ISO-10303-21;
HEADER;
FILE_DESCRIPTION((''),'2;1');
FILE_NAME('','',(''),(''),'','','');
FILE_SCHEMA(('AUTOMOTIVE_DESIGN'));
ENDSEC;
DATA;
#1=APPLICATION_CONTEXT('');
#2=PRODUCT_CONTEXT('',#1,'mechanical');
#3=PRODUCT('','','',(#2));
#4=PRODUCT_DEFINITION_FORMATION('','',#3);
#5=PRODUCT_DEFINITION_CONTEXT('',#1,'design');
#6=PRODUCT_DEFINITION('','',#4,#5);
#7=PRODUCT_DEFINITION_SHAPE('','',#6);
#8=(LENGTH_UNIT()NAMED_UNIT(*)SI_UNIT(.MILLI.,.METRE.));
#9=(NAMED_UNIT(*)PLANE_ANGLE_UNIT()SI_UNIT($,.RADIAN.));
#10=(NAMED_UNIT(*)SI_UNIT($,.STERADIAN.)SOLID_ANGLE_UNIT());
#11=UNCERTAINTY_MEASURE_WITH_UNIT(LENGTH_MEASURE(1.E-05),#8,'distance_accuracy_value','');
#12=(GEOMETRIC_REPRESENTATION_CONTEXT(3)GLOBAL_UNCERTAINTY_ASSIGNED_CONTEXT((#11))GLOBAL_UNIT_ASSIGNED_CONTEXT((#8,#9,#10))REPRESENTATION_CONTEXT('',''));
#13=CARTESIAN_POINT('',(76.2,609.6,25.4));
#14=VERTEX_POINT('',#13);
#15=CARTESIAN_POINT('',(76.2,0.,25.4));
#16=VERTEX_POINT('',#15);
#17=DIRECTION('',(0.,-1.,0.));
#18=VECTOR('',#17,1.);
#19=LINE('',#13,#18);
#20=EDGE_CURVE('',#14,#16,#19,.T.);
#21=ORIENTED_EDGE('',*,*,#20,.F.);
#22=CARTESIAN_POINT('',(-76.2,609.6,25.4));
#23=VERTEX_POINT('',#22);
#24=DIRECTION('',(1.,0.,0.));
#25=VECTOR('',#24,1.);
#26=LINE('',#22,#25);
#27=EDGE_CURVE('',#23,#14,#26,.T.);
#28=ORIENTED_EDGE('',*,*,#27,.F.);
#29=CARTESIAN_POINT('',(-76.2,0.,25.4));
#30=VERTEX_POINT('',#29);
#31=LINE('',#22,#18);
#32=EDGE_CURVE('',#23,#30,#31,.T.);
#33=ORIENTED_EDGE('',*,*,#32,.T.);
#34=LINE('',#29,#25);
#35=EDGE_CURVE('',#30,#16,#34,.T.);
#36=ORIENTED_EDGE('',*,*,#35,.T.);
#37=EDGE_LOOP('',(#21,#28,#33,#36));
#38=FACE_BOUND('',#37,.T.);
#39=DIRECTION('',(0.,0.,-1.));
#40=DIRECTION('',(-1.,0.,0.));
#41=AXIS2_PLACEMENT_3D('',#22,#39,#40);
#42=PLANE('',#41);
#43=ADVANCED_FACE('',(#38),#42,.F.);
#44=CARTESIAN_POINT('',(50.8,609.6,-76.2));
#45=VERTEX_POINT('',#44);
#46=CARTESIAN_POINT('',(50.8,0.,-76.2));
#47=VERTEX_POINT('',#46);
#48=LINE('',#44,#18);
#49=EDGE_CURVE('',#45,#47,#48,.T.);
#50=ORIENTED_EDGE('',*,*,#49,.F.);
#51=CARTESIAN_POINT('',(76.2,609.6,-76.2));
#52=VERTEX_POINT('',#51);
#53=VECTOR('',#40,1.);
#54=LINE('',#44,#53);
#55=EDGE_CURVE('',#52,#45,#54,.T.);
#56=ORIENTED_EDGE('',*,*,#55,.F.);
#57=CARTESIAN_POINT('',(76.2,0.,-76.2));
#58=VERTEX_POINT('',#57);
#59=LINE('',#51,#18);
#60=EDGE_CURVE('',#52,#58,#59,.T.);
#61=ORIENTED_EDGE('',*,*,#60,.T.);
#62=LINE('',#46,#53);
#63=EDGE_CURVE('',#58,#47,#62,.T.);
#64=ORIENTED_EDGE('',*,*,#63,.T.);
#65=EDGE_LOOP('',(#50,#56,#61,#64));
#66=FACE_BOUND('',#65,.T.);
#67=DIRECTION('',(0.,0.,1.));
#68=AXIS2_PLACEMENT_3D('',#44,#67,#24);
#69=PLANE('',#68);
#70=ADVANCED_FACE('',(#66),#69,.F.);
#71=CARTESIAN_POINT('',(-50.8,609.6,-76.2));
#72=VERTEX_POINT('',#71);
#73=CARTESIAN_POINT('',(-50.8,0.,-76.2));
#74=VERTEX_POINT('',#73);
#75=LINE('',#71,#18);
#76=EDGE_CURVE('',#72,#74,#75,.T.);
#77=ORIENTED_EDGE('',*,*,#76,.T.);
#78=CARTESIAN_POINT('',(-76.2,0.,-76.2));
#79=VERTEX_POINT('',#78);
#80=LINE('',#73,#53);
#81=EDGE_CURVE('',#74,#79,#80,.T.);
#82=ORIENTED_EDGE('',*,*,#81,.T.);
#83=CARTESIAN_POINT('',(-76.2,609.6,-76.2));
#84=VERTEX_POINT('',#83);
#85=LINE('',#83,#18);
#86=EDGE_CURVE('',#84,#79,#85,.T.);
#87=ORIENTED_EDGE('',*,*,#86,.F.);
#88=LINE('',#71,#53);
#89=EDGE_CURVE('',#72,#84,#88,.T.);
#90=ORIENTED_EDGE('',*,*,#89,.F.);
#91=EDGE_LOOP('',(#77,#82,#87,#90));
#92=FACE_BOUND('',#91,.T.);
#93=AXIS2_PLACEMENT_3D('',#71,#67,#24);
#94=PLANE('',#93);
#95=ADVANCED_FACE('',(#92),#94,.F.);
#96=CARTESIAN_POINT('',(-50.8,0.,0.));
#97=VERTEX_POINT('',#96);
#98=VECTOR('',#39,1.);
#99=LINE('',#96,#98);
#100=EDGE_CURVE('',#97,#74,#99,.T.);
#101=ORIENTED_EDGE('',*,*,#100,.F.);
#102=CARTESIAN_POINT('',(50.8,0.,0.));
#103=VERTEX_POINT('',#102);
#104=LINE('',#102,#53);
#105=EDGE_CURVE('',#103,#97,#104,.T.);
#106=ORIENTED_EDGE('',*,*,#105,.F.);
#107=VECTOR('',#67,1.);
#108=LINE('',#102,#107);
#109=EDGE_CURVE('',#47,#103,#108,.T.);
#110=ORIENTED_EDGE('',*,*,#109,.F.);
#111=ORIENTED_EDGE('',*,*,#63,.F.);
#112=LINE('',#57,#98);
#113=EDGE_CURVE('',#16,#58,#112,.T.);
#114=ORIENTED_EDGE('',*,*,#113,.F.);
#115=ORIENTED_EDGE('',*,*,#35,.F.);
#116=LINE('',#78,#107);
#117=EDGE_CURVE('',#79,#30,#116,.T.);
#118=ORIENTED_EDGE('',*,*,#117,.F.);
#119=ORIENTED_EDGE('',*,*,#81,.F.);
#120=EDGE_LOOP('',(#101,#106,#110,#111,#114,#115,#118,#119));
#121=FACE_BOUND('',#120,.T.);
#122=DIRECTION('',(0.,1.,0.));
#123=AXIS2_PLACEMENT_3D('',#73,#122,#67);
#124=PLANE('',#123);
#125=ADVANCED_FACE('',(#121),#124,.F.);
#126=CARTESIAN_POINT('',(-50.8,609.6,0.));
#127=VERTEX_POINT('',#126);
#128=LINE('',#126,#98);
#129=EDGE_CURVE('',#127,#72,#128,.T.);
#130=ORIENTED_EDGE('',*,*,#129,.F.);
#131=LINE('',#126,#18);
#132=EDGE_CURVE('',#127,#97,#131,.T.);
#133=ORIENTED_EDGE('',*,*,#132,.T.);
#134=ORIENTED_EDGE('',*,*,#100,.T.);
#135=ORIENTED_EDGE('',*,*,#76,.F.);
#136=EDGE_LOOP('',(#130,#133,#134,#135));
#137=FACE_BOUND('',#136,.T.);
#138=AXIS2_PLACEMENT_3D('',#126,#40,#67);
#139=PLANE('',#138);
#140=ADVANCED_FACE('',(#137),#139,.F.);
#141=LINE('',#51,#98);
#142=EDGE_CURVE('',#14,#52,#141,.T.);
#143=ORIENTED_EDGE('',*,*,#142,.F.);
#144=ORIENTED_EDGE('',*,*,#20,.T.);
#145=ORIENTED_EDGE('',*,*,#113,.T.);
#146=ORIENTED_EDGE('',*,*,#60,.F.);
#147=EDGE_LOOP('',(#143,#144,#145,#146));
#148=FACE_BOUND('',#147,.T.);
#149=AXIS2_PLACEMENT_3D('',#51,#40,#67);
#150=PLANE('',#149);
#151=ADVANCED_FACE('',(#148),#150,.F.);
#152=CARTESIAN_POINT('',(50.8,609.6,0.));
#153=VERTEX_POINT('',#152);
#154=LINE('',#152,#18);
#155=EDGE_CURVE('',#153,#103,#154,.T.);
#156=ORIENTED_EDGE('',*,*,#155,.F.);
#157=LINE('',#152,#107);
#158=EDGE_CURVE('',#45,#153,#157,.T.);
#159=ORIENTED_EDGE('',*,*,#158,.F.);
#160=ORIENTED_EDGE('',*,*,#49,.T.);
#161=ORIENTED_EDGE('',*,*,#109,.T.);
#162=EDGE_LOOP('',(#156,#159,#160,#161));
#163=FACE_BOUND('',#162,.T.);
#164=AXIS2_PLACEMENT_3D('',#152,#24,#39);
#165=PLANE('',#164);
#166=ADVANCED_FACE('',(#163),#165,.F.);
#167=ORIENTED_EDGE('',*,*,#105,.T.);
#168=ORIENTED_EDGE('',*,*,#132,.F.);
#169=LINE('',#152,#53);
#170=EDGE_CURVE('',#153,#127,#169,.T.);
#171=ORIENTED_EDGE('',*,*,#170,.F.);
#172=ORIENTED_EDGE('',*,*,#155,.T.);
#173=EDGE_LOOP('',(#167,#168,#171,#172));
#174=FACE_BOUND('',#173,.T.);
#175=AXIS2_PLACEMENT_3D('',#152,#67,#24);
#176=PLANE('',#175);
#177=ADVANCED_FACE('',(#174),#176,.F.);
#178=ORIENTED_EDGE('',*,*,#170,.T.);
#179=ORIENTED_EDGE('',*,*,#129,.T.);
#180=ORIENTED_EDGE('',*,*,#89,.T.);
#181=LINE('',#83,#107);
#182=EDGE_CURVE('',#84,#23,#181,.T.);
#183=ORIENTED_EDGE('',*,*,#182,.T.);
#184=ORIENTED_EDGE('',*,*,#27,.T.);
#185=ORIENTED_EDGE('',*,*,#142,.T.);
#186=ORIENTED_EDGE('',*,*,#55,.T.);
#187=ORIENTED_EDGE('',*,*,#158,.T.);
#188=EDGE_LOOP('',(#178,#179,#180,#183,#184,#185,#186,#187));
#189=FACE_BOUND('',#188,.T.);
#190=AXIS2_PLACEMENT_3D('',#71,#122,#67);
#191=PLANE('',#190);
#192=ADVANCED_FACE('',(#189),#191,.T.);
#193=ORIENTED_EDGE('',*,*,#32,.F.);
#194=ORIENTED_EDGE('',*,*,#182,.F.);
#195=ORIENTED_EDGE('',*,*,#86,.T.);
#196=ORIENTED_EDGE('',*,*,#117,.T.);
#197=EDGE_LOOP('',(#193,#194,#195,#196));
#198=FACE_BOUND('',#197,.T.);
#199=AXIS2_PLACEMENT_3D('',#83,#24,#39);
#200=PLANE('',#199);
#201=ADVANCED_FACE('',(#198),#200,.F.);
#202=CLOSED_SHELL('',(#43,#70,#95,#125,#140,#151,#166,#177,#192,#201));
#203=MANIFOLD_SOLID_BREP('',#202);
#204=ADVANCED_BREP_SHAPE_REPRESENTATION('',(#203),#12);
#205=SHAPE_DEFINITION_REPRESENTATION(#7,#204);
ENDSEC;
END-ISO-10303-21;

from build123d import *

# Parameters (mm, degrees)
EXTRUDE1_DEPTH = 609.6


with BuildPart() as part:
    # Sketch1 → Extrude1 (new body)
    with BuildSketch(Plane(origin=(0, 0, 0), x_dir=(1, 0, 0), z_dir=(0, 1, 0))):
        Polygon((50.8, 0), (-50.8, 0), (-50.8, 76.2), (-76.2, 76.2), (-76.2, -25.4), (76.2, -25.4), (76.2, 76.2), (50.8, 76.2), align=None)
    extrude(amount=EXTRUDE1_DEPTH)


solid = part.part
